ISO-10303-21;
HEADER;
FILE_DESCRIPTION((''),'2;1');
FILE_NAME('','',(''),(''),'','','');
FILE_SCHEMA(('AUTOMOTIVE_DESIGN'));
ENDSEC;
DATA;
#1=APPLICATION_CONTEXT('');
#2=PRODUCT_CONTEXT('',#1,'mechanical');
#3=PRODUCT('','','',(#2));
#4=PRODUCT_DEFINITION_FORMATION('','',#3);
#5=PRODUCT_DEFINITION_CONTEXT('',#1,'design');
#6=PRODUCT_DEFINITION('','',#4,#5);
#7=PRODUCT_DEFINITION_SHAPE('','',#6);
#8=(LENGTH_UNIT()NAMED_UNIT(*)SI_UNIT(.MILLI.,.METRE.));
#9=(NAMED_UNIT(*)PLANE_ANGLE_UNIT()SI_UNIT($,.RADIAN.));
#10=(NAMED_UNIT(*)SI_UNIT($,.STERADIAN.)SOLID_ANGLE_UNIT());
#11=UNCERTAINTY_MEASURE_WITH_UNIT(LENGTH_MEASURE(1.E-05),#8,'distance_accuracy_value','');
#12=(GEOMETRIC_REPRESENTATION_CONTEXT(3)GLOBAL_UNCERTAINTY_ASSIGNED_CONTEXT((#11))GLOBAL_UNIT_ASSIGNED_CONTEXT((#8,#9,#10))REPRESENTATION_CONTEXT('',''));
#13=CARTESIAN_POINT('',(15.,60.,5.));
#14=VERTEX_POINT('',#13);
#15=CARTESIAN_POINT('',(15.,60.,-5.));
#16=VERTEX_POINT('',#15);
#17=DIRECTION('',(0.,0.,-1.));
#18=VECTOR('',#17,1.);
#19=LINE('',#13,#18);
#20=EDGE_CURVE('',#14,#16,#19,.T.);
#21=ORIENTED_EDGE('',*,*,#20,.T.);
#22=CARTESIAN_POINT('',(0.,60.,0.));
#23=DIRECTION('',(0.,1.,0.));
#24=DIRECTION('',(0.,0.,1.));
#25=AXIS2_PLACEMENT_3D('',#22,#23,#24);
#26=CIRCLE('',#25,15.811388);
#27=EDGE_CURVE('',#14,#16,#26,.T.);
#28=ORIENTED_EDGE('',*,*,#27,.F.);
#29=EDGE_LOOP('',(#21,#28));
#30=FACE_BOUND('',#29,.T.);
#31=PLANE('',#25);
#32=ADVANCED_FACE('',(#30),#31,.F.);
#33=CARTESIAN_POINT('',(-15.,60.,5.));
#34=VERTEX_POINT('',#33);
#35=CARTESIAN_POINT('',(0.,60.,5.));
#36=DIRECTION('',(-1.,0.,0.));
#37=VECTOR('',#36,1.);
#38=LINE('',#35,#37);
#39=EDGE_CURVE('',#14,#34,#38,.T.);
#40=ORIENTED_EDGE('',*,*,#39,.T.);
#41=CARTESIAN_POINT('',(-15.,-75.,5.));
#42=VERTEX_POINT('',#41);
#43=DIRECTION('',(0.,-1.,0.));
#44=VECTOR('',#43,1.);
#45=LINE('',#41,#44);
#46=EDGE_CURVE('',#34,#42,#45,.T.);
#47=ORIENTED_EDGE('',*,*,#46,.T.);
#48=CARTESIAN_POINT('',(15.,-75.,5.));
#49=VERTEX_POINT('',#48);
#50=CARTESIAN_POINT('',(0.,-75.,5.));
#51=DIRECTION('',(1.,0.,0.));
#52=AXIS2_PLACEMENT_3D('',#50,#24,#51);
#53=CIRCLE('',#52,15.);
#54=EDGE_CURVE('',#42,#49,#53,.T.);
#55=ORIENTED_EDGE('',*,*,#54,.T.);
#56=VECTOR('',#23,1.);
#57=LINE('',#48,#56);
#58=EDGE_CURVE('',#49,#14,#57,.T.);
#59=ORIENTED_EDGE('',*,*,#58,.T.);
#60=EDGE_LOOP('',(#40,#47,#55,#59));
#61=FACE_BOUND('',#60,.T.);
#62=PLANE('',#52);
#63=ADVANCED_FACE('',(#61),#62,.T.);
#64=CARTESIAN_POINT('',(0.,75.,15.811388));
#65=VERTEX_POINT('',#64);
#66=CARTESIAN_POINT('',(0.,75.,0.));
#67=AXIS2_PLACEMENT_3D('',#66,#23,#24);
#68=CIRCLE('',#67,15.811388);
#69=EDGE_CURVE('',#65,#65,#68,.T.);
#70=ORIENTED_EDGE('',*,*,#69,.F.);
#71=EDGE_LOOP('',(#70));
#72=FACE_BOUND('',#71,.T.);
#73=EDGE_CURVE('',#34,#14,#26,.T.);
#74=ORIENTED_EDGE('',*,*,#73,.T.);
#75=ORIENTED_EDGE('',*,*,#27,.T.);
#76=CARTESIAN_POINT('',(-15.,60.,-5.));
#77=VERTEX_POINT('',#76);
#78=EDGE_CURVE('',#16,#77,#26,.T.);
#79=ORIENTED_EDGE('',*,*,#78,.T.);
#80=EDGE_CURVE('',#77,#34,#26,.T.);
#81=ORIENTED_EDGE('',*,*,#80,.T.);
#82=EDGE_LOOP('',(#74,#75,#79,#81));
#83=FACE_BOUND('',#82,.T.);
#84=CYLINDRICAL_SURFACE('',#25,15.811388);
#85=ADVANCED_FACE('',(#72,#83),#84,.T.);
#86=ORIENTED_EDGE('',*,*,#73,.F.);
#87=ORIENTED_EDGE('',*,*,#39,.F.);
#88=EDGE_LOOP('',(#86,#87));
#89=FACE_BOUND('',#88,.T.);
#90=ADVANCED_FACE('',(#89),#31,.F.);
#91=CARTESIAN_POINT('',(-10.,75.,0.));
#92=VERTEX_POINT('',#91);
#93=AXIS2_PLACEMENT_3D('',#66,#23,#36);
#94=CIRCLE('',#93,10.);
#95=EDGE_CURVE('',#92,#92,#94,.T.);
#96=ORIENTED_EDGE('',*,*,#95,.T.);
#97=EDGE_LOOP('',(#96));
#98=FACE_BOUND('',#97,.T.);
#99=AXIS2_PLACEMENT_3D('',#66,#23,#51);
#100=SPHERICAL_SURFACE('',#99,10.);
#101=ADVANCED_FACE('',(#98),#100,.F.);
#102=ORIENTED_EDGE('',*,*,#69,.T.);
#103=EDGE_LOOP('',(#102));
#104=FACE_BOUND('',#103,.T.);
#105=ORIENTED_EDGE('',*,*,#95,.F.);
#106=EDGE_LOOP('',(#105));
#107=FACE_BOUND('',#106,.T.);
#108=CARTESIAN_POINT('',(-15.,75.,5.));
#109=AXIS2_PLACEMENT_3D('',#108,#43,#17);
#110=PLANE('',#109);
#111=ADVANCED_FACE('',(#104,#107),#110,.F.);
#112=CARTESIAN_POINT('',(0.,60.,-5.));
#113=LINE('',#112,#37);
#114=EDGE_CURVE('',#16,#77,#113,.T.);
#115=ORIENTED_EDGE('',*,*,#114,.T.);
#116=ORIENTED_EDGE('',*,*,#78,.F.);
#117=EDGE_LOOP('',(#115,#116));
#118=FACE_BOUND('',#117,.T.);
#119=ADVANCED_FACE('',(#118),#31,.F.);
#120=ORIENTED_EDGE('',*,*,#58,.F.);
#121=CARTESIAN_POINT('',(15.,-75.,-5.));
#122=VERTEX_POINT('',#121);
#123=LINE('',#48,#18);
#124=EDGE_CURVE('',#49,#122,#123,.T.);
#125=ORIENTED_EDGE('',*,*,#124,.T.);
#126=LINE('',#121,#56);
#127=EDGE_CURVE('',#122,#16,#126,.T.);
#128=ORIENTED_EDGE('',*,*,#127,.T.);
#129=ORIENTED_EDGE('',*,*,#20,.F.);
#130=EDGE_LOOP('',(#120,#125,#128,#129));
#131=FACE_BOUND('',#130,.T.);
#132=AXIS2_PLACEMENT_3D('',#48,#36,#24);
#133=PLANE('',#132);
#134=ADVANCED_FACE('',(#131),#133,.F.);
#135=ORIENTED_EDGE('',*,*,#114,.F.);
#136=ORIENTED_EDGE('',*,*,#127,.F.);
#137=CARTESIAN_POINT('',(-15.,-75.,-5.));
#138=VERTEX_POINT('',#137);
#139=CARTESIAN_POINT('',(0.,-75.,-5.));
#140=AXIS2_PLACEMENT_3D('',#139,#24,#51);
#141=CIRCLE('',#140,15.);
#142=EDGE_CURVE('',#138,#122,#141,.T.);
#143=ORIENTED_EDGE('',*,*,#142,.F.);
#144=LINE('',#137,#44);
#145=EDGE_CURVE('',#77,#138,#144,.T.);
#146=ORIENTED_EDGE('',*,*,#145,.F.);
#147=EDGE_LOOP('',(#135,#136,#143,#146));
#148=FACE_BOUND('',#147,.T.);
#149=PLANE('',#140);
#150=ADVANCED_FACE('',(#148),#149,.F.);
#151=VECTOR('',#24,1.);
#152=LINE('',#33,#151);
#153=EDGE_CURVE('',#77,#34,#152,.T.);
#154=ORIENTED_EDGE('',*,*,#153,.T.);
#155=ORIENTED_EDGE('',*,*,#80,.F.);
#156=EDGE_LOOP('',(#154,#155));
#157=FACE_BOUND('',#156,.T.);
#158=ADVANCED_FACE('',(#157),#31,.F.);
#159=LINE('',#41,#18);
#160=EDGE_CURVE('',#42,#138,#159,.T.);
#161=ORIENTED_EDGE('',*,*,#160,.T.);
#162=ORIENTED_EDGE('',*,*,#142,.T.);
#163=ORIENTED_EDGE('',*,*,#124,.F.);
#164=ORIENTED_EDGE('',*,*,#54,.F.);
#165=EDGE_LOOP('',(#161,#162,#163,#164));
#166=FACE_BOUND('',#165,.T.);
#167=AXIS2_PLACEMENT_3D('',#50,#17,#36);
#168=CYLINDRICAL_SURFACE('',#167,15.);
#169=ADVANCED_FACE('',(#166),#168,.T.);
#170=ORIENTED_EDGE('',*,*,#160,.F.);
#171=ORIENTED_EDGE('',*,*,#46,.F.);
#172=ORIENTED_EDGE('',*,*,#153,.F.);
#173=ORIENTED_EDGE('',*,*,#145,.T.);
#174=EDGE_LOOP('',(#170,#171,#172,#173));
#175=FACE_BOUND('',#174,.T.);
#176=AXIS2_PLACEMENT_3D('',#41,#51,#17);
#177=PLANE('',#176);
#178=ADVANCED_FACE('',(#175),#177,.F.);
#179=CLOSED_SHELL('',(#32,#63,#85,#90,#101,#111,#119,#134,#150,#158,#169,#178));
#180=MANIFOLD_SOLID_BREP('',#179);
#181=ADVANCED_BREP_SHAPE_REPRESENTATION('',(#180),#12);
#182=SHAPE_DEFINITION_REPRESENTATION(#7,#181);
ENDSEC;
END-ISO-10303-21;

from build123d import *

# Parameters (mm, degrees)
BOSS_EXTRUDE1_DEPTH = 5
SKETCH4_R           = 15.811388301
BOSS_EXTRUDE2_DEPTH = 15


with BuildPart() as part:
    # Sketch1 → Boss-Extrude1 (new, symmetric)
    with BuildSketch(Plane.XY):
        with BuildLine():
            Line((-15, -75), (-15, 75))
            Line((-15, 75), (15, 75))
            Line((15, 75), (15, -75))
            ThreePointArc((15, -75), (0, -90), (-15, -75))
        make_face()
    extrude(amount=BOSS_EXTRUDE1_DEPTH, both=True)

    # Sketch4 → Boss-Extrude2 (add)
    with BuildSketch(Plane(origin=(0, 75, 0), x_dir=(1, 0, 0), z_dir=(0, 1, 0))):
        with Locations(Location((0, 0, 0), (0, 0, 270))):
            Circle(SKETCH4_R)
    extrude(amount=-BOSS_EXTRUDE2_DEPTH)

    # Sketch6 → Cut-Revolve3 (revolve, cut)
    with BuildSketch(Plane.XY):
        with BuildLine():
            Line((0, 75), (10, 75))
            ThreePointArc((10, 75), (7.071067812, 67.928932188), (0, 65))
            Line((0, 65), (0, 75))
        make_face()
    revolve(axis=Axis((0, 75, 0), (0, -1, 0)), mode=Mode.SUBTRACT)


solid = part.part
